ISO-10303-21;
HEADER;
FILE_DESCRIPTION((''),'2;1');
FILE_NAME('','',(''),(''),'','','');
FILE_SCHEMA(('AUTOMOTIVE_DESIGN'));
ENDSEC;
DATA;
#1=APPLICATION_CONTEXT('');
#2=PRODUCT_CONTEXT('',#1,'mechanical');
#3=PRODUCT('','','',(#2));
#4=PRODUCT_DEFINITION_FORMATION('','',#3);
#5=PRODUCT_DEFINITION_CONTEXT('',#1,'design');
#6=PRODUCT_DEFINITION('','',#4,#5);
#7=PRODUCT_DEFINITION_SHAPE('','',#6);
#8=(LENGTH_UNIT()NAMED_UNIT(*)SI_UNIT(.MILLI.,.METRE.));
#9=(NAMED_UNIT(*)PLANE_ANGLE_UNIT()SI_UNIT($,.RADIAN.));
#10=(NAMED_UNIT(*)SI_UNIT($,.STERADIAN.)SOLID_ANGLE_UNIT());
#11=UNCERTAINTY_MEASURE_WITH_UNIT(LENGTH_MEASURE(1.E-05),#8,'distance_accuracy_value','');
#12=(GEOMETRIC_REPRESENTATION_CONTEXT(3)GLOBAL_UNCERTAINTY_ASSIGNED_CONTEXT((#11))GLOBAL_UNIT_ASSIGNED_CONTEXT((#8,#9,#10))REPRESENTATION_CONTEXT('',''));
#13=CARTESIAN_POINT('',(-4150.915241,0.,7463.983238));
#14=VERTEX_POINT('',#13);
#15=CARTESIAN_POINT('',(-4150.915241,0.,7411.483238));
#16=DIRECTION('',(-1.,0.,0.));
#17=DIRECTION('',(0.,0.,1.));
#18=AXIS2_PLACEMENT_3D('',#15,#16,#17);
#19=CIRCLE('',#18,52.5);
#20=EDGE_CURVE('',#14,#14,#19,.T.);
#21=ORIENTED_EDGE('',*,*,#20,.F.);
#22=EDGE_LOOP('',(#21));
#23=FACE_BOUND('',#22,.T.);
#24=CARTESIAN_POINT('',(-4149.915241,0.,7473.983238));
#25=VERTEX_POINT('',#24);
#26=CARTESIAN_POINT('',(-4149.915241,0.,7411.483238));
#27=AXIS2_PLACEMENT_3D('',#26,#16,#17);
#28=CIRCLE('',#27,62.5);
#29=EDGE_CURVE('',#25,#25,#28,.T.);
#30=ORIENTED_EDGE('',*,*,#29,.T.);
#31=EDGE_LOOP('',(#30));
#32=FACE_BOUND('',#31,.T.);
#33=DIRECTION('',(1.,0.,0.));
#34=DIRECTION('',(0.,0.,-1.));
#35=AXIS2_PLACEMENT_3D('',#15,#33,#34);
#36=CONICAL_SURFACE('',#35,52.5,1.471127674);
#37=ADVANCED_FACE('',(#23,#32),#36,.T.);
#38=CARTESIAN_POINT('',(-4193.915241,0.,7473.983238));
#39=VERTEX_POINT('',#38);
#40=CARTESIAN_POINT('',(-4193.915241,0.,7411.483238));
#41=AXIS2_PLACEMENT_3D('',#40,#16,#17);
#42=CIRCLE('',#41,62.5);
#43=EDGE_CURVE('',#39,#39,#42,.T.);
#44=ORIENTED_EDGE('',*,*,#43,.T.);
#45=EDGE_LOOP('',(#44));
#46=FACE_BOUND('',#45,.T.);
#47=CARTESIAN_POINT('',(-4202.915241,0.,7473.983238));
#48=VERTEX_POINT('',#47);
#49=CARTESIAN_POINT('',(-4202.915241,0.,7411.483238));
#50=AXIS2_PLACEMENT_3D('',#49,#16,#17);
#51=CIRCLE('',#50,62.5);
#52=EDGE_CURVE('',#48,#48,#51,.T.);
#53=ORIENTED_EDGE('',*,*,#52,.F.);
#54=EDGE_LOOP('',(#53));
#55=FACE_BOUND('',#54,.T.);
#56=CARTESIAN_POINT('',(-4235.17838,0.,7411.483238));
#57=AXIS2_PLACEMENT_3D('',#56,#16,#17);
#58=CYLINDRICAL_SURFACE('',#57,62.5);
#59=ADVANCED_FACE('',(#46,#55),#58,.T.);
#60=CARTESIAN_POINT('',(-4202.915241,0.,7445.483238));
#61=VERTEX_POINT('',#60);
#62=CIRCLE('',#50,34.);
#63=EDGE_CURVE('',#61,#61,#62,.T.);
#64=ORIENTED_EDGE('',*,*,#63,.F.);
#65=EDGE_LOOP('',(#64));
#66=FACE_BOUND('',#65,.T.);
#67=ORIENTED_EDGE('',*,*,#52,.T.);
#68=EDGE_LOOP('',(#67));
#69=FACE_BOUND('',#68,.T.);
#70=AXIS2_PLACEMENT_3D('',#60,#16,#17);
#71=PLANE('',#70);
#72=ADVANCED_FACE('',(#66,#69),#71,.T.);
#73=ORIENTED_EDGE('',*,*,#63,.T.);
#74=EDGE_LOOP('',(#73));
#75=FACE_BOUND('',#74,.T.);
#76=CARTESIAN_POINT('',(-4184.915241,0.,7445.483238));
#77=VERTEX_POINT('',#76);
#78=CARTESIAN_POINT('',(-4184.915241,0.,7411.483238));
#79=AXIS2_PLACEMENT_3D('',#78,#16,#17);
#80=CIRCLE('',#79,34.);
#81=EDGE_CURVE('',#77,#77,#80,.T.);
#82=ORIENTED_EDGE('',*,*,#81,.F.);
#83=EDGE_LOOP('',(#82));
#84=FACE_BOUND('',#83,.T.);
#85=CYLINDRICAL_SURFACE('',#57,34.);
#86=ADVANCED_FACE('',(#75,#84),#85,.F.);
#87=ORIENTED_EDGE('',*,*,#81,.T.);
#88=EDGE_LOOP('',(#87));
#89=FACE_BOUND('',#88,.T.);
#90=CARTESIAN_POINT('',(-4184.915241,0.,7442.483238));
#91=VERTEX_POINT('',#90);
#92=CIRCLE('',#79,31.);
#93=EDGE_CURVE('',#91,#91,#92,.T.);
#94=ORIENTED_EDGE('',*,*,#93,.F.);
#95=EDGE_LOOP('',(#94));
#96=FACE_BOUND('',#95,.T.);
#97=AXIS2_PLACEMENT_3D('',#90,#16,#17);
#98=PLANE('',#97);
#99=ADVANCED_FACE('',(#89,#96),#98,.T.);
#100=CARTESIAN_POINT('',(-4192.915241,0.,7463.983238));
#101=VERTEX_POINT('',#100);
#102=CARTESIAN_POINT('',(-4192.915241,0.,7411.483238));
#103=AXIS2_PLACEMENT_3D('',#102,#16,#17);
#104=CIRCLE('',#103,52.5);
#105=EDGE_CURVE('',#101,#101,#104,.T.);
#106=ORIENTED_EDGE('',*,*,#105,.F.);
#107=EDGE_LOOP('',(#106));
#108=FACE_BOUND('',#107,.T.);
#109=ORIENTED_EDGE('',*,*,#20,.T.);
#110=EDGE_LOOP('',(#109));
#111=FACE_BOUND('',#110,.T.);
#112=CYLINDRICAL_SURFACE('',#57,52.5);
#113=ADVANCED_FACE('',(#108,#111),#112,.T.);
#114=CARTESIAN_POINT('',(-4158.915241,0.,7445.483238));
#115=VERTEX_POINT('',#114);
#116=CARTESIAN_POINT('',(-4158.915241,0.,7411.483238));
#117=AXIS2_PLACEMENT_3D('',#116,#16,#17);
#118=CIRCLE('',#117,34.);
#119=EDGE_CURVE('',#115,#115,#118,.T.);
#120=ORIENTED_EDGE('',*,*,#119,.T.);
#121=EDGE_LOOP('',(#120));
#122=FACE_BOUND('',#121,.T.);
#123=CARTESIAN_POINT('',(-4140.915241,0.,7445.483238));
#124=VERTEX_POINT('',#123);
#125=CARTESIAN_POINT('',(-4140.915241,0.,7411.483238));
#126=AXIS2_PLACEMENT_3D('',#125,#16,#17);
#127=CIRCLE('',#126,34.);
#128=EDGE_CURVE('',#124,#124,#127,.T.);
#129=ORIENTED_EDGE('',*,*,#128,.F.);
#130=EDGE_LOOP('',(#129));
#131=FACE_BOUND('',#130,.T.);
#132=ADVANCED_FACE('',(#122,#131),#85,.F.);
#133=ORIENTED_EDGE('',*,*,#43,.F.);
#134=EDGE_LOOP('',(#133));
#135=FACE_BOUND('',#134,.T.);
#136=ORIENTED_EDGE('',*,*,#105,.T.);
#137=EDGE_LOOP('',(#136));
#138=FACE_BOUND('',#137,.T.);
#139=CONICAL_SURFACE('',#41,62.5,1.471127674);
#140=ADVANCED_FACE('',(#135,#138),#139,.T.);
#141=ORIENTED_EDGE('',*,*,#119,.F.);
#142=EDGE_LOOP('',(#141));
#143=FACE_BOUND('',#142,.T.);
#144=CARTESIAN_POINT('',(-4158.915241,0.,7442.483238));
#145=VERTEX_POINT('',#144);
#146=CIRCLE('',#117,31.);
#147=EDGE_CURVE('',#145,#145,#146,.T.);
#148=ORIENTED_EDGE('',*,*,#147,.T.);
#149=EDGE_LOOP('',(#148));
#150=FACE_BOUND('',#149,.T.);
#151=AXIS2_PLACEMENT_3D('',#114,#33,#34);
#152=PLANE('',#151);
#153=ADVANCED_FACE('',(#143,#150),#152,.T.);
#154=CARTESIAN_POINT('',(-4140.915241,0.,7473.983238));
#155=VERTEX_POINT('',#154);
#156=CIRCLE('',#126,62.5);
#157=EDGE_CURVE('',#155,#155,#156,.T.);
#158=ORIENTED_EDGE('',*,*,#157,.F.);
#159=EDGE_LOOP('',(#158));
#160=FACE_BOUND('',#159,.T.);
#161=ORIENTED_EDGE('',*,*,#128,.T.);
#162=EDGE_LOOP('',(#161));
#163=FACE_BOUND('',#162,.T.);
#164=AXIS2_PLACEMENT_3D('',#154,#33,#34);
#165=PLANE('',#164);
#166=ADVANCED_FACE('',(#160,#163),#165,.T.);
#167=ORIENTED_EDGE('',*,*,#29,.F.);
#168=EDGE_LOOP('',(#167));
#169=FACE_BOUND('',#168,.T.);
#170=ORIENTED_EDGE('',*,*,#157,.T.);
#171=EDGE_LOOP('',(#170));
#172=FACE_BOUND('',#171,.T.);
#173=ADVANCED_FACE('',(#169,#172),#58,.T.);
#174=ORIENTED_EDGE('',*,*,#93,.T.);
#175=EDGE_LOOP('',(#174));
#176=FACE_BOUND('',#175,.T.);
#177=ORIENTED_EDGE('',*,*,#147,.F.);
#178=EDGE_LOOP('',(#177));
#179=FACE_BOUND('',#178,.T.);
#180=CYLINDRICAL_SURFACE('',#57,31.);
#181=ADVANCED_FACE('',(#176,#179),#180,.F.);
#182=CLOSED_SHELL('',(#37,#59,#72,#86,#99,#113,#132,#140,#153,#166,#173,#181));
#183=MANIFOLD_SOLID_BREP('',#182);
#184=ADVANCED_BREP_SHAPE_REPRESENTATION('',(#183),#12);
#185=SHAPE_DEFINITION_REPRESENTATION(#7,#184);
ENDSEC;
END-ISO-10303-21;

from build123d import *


with BuildPart() as part:
    # 草图2 → 旋转2 (revolve)
    with BuildSketch(Plane(origin=(0, 0, 0), x_dir=(1, 0, 0), z_dir=(0, 1, 0))):
        Polygon((-4202.915240979, -7473.983238222), (-4193.915240979, -7473.983238222), (-4192.915240979, -7463.983238222), (-4150.915240979, -7463.983238222), (-4149.915240979, -7473.983238222), (-4140.915240979, -7473.983238222), (-4140.915240979, -7445.483238222), (-4158.915240979, -7445.483238222), (-4158.915240979, -7442.483238222), (-4184.915240979, -7442.483238222), (-4184.915240979, -7445.483238222), (-4202.915240979, -7445.483238222), align=None)
    revolve(axis=Axis((-4235.178380328, 0, 7411.483238222), (1, 0, 0)))


solid = part.part
